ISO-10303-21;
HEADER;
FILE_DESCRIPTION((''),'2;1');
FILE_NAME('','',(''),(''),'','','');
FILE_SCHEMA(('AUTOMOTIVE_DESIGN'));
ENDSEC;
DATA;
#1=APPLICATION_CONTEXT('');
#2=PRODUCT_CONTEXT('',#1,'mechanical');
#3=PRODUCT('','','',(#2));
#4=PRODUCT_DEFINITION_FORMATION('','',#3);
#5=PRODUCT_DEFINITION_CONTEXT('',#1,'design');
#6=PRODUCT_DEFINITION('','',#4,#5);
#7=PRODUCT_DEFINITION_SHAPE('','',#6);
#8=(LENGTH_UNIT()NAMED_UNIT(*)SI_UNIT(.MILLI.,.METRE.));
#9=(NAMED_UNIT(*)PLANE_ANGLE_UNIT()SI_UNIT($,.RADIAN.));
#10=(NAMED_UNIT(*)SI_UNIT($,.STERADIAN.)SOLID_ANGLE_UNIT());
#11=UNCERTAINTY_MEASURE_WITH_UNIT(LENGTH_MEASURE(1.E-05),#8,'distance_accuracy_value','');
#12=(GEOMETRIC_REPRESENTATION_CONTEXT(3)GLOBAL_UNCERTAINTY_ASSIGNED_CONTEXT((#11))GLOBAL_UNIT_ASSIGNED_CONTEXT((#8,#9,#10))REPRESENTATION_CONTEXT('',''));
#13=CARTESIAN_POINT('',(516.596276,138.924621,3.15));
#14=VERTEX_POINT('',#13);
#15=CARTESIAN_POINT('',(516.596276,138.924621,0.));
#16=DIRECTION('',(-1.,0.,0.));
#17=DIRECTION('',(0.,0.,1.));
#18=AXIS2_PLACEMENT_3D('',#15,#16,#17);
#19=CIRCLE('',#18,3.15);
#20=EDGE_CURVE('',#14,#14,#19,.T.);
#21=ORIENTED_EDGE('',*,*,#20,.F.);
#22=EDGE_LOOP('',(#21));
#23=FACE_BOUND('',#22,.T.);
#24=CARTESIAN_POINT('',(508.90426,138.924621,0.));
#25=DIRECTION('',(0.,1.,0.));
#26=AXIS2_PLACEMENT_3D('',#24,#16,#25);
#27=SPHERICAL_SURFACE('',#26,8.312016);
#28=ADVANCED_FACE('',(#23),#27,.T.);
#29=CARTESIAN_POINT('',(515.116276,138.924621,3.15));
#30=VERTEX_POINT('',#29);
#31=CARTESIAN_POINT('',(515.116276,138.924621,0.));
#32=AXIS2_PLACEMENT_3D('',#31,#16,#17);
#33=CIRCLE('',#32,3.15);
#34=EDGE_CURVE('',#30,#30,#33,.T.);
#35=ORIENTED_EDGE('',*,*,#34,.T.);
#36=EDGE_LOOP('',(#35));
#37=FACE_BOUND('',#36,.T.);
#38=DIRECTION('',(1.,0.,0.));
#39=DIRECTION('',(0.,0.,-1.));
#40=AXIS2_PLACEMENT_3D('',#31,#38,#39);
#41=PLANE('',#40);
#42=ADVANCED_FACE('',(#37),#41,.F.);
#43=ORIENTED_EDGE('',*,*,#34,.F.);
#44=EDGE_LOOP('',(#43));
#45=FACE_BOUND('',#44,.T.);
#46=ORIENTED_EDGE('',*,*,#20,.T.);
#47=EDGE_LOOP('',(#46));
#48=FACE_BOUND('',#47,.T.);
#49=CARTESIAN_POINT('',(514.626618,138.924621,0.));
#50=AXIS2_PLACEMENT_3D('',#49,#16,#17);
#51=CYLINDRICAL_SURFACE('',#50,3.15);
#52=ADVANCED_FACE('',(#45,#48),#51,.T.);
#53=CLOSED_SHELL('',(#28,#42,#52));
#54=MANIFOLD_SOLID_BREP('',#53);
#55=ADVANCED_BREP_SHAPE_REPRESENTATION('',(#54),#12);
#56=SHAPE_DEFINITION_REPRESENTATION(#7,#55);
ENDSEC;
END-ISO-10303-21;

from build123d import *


with BuildPart() as part:
    # 草图2 → 旋转2 (revolve)
    with BuildSketch(Plane.XY):
        with BuildLine():
            Line((515.116275716, 138.924621118), (515.116275716, 142.074621118))
            Line((515.116275716, 142.074621118), (516.596275716, 142.074621118))
            ThreePointArc((516.596275716, 142.074621118), (517.059802925, 140.529839171), (517.216275716, 138.924621118))
            Line((517.216275716, 138.924621118), (515.116275716, 138.924621118))
        make_face()
    revolve(axis=Axis((514.626617733, 138.924621118, 0), (1, 0, 0)))


solid = part.part
